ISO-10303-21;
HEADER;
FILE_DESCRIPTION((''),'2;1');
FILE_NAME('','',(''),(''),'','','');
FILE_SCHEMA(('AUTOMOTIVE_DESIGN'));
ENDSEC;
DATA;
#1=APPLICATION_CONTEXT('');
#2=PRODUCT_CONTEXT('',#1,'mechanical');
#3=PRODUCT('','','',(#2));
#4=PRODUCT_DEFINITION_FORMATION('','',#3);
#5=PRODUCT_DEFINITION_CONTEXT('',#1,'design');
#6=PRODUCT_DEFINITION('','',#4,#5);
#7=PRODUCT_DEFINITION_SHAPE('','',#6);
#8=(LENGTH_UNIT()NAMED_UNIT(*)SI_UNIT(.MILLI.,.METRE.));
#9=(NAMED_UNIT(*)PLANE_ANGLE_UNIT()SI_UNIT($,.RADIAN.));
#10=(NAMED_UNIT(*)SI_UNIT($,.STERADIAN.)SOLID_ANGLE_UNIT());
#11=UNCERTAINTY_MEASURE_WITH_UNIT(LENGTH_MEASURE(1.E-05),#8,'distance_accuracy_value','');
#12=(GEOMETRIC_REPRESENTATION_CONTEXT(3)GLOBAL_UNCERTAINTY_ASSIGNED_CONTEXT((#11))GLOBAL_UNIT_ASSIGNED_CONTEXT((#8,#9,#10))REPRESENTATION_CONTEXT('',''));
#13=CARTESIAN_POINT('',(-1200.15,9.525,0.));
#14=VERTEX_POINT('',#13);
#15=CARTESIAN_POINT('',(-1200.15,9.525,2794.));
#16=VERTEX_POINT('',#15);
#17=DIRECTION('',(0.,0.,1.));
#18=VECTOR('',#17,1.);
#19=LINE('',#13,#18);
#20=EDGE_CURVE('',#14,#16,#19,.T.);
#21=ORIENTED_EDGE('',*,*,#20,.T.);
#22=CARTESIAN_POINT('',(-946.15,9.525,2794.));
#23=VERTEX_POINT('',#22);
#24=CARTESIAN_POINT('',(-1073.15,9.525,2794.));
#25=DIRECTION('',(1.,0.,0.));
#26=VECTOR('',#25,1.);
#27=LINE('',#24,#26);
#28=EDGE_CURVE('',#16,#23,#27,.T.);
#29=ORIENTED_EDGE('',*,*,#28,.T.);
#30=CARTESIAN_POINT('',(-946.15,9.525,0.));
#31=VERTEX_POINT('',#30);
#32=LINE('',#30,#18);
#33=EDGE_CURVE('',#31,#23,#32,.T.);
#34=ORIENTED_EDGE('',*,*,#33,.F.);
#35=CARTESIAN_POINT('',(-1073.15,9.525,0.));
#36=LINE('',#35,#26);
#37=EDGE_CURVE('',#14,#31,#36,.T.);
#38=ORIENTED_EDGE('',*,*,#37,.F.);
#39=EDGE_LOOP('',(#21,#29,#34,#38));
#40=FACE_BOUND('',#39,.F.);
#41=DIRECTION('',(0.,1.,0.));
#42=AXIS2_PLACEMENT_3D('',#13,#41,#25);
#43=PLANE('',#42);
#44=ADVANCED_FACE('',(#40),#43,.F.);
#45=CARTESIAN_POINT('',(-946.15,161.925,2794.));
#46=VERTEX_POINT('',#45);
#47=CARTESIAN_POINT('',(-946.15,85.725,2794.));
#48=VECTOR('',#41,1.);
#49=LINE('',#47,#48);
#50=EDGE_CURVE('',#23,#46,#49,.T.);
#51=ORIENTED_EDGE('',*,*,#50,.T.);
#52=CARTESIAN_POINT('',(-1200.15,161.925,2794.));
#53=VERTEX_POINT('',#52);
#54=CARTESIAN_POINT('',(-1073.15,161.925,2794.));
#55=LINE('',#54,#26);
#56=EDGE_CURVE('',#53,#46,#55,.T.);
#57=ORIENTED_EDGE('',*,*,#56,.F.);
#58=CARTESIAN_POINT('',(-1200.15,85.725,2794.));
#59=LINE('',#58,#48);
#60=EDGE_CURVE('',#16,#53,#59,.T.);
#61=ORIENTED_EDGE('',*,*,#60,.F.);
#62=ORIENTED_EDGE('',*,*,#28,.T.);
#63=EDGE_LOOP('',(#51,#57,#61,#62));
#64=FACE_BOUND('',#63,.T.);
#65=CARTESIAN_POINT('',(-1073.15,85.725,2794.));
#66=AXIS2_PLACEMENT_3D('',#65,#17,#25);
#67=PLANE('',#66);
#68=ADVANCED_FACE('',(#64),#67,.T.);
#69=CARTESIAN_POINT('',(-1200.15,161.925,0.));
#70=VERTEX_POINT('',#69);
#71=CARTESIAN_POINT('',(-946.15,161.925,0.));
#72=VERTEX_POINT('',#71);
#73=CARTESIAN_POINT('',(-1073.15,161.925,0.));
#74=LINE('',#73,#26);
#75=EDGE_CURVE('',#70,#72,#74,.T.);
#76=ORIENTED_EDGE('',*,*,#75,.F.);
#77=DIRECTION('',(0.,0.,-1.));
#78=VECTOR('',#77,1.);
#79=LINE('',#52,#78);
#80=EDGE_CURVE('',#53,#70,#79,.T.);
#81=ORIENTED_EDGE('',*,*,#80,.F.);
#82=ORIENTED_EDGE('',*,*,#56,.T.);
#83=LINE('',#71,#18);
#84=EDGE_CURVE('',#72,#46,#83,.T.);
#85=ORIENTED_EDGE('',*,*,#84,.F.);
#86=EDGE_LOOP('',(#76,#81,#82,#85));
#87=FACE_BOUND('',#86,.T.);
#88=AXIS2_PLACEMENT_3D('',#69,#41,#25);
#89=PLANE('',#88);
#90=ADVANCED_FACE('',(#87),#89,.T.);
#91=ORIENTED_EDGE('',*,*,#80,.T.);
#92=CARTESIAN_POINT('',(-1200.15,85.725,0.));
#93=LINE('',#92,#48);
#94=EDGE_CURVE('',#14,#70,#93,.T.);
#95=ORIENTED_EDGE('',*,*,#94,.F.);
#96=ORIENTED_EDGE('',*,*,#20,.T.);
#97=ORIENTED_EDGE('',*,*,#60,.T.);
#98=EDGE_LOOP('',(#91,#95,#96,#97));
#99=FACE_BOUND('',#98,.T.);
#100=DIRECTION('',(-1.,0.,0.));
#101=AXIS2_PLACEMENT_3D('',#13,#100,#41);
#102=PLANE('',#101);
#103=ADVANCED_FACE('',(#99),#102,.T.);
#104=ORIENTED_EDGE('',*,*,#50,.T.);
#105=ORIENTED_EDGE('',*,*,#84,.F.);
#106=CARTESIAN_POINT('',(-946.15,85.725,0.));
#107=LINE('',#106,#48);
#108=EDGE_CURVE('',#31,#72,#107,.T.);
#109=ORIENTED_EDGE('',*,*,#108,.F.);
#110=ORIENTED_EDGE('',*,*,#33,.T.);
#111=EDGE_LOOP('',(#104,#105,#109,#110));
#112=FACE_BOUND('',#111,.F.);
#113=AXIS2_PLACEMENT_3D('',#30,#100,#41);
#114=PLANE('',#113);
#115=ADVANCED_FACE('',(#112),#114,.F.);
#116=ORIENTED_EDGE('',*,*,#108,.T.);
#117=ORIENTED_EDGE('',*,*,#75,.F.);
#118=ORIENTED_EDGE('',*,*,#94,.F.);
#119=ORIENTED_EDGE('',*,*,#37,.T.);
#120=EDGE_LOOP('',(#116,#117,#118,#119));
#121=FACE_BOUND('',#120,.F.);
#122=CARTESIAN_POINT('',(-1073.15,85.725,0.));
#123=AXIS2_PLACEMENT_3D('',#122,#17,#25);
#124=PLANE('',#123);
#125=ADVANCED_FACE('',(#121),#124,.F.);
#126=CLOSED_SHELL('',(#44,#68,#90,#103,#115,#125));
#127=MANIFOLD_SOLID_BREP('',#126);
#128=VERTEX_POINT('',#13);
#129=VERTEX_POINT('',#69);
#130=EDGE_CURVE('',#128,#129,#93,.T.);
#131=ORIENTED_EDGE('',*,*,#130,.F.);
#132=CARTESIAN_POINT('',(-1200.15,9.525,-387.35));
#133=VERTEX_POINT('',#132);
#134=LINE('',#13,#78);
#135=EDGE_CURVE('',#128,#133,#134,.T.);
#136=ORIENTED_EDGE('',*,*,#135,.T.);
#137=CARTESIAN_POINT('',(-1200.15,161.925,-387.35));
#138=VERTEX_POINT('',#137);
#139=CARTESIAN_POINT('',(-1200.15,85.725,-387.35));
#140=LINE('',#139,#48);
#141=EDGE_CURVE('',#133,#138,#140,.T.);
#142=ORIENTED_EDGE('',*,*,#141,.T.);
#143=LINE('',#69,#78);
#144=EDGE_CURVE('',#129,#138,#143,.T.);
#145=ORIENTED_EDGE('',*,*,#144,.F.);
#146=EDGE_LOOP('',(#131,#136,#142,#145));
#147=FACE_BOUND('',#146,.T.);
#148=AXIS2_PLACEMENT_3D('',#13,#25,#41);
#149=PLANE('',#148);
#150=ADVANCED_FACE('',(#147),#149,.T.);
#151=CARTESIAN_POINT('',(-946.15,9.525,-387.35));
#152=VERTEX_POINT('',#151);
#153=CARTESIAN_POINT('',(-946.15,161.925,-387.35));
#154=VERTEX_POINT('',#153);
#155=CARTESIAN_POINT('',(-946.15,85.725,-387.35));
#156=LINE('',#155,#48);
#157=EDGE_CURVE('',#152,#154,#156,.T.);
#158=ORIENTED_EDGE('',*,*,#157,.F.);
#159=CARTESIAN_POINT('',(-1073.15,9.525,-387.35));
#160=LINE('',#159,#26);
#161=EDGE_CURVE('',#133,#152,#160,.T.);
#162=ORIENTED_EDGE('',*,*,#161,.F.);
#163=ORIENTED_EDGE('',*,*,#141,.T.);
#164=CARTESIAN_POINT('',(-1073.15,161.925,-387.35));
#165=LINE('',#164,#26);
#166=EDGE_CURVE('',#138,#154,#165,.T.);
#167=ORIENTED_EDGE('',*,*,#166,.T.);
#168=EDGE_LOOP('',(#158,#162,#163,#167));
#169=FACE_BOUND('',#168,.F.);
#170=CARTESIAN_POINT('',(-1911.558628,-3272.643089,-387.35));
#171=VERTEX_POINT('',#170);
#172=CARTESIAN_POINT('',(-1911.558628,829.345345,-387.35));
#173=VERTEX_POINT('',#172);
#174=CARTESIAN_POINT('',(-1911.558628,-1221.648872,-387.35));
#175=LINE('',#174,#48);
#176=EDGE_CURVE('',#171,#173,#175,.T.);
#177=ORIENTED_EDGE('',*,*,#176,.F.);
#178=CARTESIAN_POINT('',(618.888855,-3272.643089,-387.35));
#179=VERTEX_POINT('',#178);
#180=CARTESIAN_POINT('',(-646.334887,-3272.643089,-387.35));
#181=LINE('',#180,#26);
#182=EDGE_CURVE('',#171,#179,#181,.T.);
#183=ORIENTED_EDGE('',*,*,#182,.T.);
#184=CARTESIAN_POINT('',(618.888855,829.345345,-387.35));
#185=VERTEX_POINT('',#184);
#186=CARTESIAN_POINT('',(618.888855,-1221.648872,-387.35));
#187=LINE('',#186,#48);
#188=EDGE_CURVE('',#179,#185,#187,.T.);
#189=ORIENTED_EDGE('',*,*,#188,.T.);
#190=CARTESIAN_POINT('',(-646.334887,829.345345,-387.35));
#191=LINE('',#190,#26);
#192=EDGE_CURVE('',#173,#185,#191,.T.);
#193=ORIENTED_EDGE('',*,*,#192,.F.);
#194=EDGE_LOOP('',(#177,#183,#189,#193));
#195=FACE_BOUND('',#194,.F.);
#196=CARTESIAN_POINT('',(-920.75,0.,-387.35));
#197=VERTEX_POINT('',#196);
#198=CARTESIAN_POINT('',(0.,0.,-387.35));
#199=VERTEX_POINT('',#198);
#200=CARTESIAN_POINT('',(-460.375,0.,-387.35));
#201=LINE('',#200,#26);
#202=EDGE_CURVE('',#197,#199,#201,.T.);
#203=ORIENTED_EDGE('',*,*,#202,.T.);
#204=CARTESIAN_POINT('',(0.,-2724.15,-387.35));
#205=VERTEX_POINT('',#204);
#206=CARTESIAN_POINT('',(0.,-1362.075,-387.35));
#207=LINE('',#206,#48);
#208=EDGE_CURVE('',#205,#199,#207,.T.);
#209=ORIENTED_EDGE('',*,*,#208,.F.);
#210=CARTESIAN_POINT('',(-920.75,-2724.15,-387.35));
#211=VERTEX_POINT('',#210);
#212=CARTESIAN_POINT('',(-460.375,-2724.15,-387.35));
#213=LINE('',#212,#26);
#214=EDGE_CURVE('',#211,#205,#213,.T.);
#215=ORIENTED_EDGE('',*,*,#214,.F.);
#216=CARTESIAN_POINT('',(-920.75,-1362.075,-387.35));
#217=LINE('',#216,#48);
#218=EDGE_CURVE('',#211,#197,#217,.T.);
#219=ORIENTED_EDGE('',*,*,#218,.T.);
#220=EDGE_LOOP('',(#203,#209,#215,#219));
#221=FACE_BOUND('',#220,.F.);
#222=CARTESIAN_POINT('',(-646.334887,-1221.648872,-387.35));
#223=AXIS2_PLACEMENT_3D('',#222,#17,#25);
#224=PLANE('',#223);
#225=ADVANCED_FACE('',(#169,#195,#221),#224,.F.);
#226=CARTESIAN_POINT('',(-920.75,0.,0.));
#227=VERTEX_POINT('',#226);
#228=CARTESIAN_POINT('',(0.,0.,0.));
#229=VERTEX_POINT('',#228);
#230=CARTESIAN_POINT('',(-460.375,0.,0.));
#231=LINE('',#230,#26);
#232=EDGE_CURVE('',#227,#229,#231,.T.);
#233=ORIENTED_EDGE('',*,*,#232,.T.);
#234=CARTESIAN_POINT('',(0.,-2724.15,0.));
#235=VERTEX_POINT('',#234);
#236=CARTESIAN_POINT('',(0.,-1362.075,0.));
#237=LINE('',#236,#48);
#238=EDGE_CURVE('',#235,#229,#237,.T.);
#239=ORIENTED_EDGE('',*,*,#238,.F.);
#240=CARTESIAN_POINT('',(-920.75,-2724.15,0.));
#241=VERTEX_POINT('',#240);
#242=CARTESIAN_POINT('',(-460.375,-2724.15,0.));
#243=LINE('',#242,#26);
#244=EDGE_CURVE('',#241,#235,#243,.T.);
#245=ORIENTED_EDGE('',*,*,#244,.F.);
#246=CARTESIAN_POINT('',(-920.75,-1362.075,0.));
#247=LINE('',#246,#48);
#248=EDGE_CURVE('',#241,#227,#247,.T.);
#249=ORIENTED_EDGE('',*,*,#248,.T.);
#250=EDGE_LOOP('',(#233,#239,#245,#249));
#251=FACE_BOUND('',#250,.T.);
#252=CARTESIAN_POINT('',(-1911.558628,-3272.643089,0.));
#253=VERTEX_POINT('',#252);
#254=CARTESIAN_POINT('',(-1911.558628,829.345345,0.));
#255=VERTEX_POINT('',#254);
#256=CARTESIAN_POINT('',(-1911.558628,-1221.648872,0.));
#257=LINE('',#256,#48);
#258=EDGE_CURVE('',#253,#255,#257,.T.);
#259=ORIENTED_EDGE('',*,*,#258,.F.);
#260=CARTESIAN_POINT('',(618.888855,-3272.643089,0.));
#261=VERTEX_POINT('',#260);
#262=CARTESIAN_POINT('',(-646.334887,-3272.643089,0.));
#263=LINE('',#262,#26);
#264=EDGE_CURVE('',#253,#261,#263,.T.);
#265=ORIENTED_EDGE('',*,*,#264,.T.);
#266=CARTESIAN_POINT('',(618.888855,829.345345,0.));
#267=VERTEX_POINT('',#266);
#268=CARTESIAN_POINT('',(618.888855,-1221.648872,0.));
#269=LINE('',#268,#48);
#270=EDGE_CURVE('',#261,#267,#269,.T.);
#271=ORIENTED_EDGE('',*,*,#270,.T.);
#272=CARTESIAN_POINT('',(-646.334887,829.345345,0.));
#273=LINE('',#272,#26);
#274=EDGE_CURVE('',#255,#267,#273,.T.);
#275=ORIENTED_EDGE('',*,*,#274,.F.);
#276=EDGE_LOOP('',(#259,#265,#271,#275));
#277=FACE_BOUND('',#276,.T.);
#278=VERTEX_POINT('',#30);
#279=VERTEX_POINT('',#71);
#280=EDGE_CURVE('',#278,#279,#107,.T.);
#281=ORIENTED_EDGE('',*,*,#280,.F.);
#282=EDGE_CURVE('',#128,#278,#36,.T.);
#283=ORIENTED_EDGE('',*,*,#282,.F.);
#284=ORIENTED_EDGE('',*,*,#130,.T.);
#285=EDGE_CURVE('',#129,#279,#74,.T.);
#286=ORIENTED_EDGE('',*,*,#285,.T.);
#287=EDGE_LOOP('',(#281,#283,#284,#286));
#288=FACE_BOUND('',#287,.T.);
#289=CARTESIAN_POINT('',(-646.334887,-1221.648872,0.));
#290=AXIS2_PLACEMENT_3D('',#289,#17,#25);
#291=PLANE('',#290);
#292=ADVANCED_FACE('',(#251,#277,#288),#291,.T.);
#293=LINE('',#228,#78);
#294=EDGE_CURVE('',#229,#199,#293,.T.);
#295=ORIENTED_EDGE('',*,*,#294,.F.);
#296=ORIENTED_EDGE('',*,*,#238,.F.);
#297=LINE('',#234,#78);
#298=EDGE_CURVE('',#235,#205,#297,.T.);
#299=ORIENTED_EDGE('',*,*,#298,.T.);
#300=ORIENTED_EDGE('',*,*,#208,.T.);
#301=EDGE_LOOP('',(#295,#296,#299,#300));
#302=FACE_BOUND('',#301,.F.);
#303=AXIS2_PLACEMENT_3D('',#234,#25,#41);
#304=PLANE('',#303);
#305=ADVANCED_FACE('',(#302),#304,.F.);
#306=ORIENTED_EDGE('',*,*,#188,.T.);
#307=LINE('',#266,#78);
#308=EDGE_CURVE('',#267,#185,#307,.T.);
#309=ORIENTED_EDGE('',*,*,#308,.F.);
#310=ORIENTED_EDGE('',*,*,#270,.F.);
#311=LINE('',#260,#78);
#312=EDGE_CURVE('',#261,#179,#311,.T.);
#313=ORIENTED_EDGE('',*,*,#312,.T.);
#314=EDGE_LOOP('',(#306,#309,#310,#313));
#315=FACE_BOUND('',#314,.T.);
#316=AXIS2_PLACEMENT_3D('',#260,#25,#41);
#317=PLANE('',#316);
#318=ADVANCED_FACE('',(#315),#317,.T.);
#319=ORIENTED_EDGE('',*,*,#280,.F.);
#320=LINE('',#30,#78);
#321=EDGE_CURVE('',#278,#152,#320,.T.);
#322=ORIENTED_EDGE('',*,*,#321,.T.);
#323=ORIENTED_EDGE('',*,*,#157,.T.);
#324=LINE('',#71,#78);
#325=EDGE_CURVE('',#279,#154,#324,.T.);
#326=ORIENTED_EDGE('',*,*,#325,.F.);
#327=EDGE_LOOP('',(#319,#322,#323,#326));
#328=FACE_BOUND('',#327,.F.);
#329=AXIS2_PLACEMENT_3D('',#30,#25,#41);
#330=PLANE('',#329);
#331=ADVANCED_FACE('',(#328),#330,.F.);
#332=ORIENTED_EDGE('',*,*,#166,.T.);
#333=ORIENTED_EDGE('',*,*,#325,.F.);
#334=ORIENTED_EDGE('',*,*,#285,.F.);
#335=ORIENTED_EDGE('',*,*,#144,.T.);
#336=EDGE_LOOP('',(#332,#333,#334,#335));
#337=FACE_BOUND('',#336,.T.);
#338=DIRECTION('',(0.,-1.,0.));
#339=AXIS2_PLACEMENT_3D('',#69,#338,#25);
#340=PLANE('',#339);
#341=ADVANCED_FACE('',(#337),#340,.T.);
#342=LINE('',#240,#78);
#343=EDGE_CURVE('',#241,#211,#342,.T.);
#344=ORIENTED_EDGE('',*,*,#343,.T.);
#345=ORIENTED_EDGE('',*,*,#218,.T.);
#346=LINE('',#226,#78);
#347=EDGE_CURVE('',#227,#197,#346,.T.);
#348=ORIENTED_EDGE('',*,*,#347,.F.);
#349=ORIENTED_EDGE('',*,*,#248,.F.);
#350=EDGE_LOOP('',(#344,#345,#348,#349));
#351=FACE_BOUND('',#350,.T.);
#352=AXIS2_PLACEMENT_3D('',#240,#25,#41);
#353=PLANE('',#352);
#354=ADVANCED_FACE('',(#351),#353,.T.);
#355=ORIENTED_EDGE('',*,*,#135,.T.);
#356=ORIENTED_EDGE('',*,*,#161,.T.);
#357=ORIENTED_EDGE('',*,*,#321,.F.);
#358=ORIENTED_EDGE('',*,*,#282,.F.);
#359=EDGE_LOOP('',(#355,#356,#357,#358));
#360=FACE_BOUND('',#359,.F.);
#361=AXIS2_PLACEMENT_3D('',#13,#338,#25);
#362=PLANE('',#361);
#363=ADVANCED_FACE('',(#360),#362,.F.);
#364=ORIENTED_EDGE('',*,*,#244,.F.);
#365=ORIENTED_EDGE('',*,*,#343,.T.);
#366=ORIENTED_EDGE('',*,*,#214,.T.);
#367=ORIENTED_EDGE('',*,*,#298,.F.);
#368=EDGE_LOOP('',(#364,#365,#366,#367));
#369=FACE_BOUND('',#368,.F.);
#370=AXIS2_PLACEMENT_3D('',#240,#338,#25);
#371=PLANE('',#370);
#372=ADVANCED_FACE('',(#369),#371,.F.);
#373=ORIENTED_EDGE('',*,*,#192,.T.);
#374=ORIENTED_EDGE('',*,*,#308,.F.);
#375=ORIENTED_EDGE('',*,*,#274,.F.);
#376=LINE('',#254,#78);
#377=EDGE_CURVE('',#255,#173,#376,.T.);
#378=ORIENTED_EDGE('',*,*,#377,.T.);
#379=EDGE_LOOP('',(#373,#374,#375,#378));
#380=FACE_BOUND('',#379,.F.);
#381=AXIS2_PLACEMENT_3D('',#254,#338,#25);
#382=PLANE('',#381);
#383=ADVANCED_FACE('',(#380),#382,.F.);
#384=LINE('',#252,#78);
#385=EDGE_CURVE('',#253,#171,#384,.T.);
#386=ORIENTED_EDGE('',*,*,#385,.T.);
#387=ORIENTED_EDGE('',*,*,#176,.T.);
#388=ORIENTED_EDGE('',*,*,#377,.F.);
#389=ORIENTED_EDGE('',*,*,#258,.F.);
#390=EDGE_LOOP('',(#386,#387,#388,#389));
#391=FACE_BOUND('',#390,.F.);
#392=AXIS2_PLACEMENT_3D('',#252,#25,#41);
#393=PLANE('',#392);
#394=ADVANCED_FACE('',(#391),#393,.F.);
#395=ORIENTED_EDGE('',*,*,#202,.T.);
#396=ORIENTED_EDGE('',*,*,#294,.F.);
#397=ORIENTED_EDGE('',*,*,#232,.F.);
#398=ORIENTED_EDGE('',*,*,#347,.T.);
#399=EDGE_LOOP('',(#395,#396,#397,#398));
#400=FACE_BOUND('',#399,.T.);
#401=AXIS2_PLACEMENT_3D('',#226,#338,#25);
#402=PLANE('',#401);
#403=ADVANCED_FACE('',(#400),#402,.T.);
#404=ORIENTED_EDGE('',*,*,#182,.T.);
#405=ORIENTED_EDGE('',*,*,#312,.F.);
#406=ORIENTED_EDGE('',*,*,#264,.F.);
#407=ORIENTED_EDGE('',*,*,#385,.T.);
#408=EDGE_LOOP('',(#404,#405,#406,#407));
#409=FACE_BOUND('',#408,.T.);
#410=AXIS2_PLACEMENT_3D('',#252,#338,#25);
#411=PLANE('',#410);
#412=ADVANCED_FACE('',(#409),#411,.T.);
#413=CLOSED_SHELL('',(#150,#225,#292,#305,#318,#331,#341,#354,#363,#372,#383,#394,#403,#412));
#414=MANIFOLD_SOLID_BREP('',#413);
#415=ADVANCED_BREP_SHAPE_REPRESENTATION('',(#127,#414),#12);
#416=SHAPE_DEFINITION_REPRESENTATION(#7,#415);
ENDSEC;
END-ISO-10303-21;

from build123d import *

# Parameters (mm, degrees)
F0_W      = 254
F0_H      = 152.4
F1_DEPTH  = 2794
F0_W_2    = 2530.4474830627
F0_H_2    = 4101.9884347916
F0_W_3    = 920.75
F0_H_3    = 2724.15
F1_FACE_W = 254
F1_FACE_H = 152.4
F2_DEPTH  = 387.35


with BuildPart() as f1:
    # F0 (on Top) → F1 (new body)
    with BuildSketch(Plane.XY):
        with Locations((-1073.15, 85.725)):
            Rectangle(F0_W, F0_H)
    extrude(amount=F1_DEPTH)

    # F0 (on Top) + F1_face (on face) → F2 (join)
    with BuildSketch(Plane.XY):
        with Locations((-646.3348865509, -1221.6488718987)):
            Rectangle(F0_W_2, F0_H_2)
        with Locations((-460.375, -1362.075)):
            Rectangle(F0_W_3, F0_H_3, mode=Mode.SUBTRACT)
        with Locations((-1073.15, 85.725)):
            Rectangle(F0_W, F0_H, mode=Mode.SUBTRACT)
    with BuildSketch(Plane(origin=(-1073.15, 85.725, 2794), x_dir=(1, 0, 0), z_dir=(0, 0, 1))):
        Rectangle(F1_FACE_W, F1_FACE_H)
    extrude(amount=-F2_DEPTH)


solid = f1.part
